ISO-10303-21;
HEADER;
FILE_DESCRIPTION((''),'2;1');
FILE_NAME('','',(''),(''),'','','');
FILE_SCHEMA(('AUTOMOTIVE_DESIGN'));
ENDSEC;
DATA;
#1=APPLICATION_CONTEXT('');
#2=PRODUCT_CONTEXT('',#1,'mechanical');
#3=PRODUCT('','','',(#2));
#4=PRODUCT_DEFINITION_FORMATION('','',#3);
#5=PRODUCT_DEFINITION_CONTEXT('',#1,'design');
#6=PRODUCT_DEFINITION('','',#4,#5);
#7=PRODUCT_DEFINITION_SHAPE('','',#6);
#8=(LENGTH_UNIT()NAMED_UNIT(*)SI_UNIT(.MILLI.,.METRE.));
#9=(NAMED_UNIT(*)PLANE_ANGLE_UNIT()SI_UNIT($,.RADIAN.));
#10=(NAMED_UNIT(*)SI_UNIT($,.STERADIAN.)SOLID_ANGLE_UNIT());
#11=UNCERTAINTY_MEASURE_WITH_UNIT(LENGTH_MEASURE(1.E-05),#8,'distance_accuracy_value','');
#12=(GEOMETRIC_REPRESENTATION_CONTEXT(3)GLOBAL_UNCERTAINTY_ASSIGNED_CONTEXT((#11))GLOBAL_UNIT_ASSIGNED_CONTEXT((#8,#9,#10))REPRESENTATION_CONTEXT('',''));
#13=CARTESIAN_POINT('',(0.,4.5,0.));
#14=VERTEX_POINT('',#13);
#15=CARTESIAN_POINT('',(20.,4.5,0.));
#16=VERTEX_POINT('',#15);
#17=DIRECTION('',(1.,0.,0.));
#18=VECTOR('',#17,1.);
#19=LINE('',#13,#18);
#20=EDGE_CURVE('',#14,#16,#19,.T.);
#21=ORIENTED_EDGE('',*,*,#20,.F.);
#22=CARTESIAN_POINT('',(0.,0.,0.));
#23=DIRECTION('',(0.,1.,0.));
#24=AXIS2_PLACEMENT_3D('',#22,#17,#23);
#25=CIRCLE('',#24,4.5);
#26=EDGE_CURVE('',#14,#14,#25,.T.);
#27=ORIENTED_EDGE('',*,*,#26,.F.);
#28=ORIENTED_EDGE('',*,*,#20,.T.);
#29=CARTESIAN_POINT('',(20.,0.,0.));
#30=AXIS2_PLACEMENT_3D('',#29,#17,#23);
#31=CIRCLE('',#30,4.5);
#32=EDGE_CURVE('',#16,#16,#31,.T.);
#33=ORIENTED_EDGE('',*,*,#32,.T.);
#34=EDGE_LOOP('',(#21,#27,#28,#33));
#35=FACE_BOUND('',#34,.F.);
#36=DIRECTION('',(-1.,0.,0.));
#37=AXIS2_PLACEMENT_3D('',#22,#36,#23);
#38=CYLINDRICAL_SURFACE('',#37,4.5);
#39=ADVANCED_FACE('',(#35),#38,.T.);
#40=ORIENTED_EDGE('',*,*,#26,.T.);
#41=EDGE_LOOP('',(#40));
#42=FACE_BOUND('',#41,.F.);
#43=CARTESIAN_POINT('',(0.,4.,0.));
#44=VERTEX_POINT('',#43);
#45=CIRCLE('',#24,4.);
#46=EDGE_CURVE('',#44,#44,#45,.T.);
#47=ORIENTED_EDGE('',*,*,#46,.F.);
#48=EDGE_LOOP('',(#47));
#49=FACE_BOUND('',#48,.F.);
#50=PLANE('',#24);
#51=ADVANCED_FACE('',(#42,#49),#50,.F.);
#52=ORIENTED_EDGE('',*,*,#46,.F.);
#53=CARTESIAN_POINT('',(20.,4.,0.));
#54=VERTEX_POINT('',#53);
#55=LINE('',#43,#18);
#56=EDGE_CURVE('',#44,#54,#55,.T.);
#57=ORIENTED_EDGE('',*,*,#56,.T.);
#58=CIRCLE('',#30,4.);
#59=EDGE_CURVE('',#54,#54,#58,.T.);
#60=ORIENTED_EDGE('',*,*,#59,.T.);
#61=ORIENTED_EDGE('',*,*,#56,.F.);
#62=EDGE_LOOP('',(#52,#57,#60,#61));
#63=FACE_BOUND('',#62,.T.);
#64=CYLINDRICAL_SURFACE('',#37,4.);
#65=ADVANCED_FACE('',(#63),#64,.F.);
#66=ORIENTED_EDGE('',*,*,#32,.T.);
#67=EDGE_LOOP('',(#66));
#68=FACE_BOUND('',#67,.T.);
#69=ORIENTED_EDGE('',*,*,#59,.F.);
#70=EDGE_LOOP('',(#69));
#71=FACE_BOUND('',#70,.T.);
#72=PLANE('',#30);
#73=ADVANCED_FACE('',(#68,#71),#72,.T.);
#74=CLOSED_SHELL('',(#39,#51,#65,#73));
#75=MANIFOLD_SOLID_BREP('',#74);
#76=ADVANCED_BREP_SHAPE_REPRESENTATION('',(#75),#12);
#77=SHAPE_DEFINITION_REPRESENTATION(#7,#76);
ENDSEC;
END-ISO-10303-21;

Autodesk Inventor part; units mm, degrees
ref_plane "YZ Plane" through (0, 0, 0) normal (1, 0, 0) x (0, 1, 0)
ref_plane "XZ Plane" through (0, 0, 0) normal (0, 1, 0) x (-1, 0, 0)
ref_plane "XY Plane" through (0, 0, 0) normal (0, 0, 1) x (1, 0, 0)
sketch "Sketch1" plane through (0, 0, 0) normal (1, 0, 0) x (0, 1, 0)
  circle A0 centre (0, 0) radius 4
  circle A1 centre (0, 0) radius 4.5
  dimension "d0" = 8
  dimension "d1" = 9
extrude "Extrusion1" add sketch "Sketch1" along normal blind 20
properties part number "separador_20"
